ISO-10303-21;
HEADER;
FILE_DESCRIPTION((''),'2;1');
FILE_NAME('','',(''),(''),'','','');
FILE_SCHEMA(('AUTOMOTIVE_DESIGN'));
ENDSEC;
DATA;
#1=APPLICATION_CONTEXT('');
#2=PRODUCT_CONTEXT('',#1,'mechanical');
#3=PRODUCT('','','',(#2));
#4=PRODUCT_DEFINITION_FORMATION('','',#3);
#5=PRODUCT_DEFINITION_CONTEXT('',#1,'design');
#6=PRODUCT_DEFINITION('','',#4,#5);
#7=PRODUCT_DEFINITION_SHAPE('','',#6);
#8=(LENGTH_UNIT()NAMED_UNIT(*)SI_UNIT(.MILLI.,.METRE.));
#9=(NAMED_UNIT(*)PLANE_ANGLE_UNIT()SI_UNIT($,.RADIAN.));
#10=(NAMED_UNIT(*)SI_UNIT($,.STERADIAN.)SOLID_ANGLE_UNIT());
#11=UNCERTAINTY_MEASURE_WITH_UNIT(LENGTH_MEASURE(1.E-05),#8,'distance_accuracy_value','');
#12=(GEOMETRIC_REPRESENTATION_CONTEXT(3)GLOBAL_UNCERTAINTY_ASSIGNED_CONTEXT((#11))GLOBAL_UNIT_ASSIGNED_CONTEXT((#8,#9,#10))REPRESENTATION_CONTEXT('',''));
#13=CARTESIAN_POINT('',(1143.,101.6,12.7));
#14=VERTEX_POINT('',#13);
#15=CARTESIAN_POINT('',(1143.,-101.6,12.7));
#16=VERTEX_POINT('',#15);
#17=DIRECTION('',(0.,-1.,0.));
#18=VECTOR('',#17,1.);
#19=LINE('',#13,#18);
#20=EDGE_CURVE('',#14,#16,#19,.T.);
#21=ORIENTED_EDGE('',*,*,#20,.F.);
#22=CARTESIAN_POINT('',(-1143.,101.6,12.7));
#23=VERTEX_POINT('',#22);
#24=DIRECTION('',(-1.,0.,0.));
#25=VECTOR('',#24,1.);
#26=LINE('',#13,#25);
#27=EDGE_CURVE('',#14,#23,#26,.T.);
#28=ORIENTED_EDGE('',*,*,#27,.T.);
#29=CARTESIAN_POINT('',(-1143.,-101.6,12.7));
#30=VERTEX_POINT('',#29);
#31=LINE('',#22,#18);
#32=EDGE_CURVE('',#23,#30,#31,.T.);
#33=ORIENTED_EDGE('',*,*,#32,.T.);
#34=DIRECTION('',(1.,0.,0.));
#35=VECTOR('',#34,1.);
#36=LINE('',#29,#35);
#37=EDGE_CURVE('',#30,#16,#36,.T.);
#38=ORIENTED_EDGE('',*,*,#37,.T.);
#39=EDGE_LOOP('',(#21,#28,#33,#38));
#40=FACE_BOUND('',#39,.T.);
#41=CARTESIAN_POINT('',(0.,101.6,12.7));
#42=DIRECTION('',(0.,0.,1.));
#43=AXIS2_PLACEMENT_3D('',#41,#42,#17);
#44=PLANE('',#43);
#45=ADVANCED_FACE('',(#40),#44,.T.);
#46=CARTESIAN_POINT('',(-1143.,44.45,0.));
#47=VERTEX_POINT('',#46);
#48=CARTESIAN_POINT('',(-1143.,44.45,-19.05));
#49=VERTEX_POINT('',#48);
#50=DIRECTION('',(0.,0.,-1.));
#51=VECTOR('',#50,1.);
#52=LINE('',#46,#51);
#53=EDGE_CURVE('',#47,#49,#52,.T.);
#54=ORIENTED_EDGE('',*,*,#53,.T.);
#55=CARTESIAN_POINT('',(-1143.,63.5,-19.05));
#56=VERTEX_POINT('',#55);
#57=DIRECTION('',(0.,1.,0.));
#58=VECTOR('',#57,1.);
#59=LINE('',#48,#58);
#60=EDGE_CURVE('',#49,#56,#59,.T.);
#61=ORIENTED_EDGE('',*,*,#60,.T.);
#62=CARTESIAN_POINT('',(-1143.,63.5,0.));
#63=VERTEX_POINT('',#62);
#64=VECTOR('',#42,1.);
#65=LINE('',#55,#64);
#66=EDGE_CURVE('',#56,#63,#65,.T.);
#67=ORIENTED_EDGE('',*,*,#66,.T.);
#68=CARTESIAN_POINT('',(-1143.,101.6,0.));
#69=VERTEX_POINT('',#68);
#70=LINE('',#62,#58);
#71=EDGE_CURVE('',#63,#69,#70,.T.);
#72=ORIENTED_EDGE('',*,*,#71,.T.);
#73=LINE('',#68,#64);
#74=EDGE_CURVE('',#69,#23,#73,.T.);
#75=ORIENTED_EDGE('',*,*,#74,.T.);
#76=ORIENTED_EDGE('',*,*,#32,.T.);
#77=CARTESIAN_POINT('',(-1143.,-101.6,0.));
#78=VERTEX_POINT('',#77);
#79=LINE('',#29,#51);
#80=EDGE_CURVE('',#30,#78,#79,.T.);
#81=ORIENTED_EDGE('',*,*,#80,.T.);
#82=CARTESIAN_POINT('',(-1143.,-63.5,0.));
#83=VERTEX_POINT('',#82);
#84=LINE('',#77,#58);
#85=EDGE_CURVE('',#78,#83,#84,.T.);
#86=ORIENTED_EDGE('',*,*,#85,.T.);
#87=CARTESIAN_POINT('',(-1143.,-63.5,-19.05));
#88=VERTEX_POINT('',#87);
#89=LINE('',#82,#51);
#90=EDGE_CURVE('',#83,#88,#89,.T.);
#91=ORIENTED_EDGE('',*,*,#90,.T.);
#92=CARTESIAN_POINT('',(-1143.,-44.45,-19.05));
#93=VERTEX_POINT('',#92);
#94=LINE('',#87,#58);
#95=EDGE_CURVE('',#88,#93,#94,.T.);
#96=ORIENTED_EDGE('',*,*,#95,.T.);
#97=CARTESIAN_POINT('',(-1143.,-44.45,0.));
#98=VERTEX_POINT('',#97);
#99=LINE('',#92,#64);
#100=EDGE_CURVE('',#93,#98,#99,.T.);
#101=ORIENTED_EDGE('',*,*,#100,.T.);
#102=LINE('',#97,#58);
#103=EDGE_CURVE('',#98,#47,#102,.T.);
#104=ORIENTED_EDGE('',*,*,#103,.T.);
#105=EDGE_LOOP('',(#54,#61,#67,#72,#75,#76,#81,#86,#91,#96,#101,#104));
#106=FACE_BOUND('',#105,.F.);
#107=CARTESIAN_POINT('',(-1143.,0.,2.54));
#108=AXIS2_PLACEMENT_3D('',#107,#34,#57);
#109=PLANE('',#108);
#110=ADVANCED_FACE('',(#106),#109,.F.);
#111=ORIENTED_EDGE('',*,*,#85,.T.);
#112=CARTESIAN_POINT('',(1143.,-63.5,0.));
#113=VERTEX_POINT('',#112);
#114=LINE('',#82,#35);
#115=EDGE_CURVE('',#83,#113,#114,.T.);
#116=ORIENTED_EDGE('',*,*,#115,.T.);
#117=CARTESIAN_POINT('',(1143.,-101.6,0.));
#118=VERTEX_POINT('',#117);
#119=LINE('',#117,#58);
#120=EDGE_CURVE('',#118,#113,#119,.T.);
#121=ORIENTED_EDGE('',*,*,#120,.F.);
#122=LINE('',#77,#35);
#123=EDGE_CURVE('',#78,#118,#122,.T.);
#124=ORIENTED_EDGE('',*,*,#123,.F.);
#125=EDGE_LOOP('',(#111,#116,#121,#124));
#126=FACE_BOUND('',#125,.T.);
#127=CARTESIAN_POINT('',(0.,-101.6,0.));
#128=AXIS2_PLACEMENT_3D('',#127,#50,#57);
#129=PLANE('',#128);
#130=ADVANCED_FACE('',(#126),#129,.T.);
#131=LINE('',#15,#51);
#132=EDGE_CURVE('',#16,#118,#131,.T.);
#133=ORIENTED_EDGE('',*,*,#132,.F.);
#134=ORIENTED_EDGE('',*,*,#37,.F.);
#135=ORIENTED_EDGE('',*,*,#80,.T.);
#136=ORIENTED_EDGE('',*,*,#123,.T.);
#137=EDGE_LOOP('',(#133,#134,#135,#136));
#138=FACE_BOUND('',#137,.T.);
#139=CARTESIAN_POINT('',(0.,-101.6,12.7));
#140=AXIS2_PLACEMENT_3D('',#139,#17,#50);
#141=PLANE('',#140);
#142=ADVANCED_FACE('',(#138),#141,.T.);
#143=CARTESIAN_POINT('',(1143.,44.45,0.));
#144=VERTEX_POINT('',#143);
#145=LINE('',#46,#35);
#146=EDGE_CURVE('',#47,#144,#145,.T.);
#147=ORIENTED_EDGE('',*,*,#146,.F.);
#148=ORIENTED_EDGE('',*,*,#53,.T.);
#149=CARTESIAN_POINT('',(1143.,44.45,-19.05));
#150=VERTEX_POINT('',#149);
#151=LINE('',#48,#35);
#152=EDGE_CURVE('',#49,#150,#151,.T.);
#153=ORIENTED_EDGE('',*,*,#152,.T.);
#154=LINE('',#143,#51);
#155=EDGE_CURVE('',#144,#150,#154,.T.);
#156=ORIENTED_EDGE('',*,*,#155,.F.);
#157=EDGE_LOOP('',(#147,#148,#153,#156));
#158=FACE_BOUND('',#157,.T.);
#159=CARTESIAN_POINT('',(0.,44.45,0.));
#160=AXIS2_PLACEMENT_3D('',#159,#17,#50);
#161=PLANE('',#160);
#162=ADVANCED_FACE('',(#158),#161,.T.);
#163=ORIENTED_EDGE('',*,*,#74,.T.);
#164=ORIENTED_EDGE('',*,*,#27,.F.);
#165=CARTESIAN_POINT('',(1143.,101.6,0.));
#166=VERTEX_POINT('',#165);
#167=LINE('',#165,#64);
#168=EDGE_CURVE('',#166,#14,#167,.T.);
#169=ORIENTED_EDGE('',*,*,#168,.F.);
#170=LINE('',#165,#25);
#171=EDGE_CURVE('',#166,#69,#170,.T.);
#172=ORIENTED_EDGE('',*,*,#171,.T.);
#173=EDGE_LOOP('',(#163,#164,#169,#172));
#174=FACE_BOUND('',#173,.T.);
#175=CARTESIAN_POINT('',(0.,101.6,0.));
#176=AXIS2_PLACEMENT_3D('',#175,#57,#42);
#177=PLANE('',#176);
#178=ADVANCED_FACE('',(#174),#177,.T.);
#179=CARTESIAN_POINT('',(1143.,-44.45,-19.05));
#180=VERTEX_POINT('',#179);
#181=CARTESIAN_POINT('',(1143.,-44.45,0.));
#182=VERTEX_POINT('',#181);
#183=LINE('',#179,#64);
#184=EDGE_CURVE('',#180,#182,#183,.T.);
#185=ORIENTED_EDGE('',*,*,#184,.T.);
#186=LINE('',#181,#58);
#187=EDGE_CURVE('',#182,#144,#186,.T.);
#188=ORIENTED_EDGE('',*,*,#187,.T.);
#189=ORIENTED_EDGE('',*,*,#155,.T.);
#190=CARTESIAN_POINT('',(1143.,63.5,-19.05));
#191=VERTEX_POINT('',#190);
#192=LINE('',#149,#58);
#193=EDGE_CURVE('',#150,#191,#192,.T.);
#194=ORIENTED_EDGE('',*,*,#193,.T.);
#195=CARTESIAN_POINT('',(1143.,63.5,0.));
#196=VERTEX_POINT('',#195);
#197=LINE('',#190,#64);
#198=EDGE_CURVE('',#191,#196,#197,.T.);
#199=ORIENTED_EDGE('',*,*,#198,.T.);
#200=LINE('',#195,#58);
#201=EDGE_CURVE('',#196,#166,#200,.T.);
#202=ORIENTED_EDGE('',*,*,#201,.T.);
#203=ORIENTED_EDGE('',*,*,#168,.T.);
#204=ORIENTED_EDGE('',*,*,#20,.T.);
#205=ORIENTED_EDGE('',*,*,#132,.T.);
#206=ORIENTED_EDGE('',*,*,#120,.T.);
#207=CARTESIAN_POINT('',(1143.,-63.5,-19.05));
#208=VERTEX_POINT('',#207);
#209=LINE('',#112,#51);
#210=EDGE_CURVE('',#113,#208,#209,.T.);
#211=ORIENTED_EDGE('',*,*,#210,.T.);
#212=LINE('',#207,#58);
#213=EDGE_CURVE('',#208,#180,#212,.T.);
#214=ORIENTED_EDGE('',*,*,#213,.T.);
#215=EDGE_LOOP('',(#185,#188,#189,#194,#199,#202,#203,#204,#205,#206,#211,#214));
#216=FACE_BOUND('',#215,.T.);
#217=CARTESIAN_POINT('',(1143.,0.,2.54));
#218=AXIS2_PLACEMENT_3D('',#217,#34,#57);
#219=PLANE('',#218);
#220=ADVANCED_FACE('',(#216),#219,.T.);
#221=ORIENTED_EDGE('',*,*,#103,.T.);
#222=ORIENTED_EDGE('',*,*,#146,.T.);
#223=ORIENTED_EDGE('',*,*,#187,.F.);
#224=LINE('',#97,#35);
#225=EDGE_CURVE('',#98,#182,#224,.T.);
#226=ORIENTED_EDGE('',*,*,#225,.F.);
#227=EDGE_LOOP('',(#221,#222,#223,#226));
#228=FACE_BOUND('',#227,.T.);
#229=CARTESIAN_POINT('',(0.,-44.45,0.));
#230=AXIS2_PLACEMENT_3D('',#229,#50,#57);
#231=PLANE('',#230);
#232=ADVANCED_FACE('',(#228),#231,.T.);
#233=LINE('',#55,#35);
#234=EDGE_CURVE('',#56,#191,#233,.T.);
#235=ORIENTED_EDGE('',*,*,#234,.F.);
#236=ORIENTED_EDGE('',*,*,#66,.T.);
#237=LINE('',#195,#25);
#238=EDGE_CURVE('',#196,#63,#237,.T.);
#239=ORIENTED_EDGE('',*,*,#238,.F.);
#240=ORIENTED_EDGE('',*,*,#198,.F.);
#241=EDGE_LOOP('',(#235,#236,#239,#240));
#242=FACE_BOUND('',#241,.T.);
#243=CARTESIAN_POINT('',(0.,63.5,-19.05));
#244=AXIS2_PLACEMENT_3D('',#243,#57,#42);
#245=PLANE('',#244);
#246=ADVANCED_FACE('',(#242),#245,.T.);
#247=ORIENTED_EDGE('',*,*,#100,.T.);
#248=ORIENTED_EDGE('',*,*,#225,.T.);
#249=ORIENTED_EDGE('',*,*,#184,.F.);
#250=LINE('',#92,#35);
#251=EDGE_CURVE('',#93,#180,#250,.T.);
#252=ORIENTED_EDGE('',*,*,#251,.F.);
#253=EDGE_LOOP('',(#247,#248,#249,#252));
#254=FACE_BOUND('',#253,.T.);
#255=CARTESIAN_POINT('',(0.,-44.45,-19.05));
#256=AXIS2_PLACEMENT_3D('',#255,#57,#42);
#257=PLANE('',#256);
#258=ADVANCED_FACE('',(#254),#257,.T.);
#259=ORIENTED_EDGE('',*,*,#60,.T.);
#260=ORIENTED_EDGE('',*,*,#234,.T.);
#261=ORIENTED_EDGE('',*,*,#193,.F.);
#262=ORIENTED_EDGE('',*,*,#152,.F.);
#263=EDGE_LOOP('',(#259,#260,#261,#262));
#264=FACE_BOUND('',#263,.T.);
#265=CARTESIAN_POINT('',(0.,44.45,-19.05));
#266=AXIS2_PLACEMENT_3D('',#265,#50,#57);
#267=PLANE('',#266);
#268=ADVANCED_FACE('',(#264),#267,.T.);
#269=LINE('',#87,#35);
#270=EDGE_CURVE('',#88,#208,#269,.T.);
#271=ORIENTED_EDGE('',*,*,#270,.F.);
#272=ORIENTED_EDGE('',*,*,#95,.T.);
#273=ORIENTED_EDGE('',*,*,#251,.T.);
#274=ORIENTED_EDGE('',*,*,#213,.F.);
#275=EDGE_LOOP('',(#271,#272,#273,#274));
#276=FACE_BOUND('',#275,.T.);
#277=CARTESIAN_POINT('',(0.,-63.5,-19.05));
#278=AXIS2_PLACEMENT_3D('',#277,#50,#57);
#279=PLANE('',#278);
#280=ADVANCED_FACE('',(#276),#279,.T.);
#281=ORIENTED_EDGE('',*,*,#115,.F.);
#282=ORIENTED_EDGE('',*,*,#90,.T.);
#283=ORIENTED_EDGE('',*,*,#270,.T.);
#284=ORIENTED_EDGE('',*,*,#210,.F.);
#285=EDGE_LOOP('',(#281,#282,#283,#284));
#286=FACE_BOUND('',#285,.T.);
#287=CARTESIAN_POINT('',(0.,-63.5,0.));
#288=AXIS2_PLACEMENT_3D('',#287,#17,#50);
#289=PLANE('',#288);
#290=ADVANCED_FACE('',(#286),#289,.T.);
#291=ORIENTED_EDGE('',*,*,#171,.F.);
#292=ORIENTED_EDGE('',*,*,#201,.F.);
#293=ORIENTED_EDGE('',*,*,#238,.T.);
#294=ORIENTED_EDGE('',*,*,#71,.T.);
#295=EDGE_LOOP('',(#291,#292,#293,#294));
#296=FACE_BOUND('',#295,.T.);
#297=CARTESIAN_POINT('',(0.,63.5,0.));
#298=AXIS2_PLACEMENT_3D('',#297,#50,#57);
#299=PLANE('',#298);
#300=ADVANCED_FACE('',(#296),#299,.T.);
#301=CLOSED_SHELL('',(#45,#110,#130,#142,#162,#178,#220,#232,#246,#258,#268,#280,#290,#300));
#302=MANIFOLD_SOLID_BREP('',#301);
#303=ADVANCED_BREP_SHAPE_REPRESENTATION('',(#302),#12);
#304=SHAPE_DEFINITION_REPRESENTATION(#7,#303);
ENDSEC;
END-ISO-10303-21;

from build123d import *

# Parameters (mm, degrees)
F1_DEPTH = 1143


with BuildPart() as f1:
    # F0 (on Right) → F1 (new body, symmetric)
    with BuildSketch(Plane.YZ):
        Polygon((101.6, 12.7), (-101.6, 12.7), (-101.6, 0), (-63.5, 0), (-63.5, -19.05), (-44.45, -19.05), (-44.45, 0), (44.45, 0), (44.45, -19.05), (63.5, -19.05), (63.5, 0), (101.6, 0), align=None)
    extrude(amount=F1_DEPTH, both=True)


solid = f1.part
